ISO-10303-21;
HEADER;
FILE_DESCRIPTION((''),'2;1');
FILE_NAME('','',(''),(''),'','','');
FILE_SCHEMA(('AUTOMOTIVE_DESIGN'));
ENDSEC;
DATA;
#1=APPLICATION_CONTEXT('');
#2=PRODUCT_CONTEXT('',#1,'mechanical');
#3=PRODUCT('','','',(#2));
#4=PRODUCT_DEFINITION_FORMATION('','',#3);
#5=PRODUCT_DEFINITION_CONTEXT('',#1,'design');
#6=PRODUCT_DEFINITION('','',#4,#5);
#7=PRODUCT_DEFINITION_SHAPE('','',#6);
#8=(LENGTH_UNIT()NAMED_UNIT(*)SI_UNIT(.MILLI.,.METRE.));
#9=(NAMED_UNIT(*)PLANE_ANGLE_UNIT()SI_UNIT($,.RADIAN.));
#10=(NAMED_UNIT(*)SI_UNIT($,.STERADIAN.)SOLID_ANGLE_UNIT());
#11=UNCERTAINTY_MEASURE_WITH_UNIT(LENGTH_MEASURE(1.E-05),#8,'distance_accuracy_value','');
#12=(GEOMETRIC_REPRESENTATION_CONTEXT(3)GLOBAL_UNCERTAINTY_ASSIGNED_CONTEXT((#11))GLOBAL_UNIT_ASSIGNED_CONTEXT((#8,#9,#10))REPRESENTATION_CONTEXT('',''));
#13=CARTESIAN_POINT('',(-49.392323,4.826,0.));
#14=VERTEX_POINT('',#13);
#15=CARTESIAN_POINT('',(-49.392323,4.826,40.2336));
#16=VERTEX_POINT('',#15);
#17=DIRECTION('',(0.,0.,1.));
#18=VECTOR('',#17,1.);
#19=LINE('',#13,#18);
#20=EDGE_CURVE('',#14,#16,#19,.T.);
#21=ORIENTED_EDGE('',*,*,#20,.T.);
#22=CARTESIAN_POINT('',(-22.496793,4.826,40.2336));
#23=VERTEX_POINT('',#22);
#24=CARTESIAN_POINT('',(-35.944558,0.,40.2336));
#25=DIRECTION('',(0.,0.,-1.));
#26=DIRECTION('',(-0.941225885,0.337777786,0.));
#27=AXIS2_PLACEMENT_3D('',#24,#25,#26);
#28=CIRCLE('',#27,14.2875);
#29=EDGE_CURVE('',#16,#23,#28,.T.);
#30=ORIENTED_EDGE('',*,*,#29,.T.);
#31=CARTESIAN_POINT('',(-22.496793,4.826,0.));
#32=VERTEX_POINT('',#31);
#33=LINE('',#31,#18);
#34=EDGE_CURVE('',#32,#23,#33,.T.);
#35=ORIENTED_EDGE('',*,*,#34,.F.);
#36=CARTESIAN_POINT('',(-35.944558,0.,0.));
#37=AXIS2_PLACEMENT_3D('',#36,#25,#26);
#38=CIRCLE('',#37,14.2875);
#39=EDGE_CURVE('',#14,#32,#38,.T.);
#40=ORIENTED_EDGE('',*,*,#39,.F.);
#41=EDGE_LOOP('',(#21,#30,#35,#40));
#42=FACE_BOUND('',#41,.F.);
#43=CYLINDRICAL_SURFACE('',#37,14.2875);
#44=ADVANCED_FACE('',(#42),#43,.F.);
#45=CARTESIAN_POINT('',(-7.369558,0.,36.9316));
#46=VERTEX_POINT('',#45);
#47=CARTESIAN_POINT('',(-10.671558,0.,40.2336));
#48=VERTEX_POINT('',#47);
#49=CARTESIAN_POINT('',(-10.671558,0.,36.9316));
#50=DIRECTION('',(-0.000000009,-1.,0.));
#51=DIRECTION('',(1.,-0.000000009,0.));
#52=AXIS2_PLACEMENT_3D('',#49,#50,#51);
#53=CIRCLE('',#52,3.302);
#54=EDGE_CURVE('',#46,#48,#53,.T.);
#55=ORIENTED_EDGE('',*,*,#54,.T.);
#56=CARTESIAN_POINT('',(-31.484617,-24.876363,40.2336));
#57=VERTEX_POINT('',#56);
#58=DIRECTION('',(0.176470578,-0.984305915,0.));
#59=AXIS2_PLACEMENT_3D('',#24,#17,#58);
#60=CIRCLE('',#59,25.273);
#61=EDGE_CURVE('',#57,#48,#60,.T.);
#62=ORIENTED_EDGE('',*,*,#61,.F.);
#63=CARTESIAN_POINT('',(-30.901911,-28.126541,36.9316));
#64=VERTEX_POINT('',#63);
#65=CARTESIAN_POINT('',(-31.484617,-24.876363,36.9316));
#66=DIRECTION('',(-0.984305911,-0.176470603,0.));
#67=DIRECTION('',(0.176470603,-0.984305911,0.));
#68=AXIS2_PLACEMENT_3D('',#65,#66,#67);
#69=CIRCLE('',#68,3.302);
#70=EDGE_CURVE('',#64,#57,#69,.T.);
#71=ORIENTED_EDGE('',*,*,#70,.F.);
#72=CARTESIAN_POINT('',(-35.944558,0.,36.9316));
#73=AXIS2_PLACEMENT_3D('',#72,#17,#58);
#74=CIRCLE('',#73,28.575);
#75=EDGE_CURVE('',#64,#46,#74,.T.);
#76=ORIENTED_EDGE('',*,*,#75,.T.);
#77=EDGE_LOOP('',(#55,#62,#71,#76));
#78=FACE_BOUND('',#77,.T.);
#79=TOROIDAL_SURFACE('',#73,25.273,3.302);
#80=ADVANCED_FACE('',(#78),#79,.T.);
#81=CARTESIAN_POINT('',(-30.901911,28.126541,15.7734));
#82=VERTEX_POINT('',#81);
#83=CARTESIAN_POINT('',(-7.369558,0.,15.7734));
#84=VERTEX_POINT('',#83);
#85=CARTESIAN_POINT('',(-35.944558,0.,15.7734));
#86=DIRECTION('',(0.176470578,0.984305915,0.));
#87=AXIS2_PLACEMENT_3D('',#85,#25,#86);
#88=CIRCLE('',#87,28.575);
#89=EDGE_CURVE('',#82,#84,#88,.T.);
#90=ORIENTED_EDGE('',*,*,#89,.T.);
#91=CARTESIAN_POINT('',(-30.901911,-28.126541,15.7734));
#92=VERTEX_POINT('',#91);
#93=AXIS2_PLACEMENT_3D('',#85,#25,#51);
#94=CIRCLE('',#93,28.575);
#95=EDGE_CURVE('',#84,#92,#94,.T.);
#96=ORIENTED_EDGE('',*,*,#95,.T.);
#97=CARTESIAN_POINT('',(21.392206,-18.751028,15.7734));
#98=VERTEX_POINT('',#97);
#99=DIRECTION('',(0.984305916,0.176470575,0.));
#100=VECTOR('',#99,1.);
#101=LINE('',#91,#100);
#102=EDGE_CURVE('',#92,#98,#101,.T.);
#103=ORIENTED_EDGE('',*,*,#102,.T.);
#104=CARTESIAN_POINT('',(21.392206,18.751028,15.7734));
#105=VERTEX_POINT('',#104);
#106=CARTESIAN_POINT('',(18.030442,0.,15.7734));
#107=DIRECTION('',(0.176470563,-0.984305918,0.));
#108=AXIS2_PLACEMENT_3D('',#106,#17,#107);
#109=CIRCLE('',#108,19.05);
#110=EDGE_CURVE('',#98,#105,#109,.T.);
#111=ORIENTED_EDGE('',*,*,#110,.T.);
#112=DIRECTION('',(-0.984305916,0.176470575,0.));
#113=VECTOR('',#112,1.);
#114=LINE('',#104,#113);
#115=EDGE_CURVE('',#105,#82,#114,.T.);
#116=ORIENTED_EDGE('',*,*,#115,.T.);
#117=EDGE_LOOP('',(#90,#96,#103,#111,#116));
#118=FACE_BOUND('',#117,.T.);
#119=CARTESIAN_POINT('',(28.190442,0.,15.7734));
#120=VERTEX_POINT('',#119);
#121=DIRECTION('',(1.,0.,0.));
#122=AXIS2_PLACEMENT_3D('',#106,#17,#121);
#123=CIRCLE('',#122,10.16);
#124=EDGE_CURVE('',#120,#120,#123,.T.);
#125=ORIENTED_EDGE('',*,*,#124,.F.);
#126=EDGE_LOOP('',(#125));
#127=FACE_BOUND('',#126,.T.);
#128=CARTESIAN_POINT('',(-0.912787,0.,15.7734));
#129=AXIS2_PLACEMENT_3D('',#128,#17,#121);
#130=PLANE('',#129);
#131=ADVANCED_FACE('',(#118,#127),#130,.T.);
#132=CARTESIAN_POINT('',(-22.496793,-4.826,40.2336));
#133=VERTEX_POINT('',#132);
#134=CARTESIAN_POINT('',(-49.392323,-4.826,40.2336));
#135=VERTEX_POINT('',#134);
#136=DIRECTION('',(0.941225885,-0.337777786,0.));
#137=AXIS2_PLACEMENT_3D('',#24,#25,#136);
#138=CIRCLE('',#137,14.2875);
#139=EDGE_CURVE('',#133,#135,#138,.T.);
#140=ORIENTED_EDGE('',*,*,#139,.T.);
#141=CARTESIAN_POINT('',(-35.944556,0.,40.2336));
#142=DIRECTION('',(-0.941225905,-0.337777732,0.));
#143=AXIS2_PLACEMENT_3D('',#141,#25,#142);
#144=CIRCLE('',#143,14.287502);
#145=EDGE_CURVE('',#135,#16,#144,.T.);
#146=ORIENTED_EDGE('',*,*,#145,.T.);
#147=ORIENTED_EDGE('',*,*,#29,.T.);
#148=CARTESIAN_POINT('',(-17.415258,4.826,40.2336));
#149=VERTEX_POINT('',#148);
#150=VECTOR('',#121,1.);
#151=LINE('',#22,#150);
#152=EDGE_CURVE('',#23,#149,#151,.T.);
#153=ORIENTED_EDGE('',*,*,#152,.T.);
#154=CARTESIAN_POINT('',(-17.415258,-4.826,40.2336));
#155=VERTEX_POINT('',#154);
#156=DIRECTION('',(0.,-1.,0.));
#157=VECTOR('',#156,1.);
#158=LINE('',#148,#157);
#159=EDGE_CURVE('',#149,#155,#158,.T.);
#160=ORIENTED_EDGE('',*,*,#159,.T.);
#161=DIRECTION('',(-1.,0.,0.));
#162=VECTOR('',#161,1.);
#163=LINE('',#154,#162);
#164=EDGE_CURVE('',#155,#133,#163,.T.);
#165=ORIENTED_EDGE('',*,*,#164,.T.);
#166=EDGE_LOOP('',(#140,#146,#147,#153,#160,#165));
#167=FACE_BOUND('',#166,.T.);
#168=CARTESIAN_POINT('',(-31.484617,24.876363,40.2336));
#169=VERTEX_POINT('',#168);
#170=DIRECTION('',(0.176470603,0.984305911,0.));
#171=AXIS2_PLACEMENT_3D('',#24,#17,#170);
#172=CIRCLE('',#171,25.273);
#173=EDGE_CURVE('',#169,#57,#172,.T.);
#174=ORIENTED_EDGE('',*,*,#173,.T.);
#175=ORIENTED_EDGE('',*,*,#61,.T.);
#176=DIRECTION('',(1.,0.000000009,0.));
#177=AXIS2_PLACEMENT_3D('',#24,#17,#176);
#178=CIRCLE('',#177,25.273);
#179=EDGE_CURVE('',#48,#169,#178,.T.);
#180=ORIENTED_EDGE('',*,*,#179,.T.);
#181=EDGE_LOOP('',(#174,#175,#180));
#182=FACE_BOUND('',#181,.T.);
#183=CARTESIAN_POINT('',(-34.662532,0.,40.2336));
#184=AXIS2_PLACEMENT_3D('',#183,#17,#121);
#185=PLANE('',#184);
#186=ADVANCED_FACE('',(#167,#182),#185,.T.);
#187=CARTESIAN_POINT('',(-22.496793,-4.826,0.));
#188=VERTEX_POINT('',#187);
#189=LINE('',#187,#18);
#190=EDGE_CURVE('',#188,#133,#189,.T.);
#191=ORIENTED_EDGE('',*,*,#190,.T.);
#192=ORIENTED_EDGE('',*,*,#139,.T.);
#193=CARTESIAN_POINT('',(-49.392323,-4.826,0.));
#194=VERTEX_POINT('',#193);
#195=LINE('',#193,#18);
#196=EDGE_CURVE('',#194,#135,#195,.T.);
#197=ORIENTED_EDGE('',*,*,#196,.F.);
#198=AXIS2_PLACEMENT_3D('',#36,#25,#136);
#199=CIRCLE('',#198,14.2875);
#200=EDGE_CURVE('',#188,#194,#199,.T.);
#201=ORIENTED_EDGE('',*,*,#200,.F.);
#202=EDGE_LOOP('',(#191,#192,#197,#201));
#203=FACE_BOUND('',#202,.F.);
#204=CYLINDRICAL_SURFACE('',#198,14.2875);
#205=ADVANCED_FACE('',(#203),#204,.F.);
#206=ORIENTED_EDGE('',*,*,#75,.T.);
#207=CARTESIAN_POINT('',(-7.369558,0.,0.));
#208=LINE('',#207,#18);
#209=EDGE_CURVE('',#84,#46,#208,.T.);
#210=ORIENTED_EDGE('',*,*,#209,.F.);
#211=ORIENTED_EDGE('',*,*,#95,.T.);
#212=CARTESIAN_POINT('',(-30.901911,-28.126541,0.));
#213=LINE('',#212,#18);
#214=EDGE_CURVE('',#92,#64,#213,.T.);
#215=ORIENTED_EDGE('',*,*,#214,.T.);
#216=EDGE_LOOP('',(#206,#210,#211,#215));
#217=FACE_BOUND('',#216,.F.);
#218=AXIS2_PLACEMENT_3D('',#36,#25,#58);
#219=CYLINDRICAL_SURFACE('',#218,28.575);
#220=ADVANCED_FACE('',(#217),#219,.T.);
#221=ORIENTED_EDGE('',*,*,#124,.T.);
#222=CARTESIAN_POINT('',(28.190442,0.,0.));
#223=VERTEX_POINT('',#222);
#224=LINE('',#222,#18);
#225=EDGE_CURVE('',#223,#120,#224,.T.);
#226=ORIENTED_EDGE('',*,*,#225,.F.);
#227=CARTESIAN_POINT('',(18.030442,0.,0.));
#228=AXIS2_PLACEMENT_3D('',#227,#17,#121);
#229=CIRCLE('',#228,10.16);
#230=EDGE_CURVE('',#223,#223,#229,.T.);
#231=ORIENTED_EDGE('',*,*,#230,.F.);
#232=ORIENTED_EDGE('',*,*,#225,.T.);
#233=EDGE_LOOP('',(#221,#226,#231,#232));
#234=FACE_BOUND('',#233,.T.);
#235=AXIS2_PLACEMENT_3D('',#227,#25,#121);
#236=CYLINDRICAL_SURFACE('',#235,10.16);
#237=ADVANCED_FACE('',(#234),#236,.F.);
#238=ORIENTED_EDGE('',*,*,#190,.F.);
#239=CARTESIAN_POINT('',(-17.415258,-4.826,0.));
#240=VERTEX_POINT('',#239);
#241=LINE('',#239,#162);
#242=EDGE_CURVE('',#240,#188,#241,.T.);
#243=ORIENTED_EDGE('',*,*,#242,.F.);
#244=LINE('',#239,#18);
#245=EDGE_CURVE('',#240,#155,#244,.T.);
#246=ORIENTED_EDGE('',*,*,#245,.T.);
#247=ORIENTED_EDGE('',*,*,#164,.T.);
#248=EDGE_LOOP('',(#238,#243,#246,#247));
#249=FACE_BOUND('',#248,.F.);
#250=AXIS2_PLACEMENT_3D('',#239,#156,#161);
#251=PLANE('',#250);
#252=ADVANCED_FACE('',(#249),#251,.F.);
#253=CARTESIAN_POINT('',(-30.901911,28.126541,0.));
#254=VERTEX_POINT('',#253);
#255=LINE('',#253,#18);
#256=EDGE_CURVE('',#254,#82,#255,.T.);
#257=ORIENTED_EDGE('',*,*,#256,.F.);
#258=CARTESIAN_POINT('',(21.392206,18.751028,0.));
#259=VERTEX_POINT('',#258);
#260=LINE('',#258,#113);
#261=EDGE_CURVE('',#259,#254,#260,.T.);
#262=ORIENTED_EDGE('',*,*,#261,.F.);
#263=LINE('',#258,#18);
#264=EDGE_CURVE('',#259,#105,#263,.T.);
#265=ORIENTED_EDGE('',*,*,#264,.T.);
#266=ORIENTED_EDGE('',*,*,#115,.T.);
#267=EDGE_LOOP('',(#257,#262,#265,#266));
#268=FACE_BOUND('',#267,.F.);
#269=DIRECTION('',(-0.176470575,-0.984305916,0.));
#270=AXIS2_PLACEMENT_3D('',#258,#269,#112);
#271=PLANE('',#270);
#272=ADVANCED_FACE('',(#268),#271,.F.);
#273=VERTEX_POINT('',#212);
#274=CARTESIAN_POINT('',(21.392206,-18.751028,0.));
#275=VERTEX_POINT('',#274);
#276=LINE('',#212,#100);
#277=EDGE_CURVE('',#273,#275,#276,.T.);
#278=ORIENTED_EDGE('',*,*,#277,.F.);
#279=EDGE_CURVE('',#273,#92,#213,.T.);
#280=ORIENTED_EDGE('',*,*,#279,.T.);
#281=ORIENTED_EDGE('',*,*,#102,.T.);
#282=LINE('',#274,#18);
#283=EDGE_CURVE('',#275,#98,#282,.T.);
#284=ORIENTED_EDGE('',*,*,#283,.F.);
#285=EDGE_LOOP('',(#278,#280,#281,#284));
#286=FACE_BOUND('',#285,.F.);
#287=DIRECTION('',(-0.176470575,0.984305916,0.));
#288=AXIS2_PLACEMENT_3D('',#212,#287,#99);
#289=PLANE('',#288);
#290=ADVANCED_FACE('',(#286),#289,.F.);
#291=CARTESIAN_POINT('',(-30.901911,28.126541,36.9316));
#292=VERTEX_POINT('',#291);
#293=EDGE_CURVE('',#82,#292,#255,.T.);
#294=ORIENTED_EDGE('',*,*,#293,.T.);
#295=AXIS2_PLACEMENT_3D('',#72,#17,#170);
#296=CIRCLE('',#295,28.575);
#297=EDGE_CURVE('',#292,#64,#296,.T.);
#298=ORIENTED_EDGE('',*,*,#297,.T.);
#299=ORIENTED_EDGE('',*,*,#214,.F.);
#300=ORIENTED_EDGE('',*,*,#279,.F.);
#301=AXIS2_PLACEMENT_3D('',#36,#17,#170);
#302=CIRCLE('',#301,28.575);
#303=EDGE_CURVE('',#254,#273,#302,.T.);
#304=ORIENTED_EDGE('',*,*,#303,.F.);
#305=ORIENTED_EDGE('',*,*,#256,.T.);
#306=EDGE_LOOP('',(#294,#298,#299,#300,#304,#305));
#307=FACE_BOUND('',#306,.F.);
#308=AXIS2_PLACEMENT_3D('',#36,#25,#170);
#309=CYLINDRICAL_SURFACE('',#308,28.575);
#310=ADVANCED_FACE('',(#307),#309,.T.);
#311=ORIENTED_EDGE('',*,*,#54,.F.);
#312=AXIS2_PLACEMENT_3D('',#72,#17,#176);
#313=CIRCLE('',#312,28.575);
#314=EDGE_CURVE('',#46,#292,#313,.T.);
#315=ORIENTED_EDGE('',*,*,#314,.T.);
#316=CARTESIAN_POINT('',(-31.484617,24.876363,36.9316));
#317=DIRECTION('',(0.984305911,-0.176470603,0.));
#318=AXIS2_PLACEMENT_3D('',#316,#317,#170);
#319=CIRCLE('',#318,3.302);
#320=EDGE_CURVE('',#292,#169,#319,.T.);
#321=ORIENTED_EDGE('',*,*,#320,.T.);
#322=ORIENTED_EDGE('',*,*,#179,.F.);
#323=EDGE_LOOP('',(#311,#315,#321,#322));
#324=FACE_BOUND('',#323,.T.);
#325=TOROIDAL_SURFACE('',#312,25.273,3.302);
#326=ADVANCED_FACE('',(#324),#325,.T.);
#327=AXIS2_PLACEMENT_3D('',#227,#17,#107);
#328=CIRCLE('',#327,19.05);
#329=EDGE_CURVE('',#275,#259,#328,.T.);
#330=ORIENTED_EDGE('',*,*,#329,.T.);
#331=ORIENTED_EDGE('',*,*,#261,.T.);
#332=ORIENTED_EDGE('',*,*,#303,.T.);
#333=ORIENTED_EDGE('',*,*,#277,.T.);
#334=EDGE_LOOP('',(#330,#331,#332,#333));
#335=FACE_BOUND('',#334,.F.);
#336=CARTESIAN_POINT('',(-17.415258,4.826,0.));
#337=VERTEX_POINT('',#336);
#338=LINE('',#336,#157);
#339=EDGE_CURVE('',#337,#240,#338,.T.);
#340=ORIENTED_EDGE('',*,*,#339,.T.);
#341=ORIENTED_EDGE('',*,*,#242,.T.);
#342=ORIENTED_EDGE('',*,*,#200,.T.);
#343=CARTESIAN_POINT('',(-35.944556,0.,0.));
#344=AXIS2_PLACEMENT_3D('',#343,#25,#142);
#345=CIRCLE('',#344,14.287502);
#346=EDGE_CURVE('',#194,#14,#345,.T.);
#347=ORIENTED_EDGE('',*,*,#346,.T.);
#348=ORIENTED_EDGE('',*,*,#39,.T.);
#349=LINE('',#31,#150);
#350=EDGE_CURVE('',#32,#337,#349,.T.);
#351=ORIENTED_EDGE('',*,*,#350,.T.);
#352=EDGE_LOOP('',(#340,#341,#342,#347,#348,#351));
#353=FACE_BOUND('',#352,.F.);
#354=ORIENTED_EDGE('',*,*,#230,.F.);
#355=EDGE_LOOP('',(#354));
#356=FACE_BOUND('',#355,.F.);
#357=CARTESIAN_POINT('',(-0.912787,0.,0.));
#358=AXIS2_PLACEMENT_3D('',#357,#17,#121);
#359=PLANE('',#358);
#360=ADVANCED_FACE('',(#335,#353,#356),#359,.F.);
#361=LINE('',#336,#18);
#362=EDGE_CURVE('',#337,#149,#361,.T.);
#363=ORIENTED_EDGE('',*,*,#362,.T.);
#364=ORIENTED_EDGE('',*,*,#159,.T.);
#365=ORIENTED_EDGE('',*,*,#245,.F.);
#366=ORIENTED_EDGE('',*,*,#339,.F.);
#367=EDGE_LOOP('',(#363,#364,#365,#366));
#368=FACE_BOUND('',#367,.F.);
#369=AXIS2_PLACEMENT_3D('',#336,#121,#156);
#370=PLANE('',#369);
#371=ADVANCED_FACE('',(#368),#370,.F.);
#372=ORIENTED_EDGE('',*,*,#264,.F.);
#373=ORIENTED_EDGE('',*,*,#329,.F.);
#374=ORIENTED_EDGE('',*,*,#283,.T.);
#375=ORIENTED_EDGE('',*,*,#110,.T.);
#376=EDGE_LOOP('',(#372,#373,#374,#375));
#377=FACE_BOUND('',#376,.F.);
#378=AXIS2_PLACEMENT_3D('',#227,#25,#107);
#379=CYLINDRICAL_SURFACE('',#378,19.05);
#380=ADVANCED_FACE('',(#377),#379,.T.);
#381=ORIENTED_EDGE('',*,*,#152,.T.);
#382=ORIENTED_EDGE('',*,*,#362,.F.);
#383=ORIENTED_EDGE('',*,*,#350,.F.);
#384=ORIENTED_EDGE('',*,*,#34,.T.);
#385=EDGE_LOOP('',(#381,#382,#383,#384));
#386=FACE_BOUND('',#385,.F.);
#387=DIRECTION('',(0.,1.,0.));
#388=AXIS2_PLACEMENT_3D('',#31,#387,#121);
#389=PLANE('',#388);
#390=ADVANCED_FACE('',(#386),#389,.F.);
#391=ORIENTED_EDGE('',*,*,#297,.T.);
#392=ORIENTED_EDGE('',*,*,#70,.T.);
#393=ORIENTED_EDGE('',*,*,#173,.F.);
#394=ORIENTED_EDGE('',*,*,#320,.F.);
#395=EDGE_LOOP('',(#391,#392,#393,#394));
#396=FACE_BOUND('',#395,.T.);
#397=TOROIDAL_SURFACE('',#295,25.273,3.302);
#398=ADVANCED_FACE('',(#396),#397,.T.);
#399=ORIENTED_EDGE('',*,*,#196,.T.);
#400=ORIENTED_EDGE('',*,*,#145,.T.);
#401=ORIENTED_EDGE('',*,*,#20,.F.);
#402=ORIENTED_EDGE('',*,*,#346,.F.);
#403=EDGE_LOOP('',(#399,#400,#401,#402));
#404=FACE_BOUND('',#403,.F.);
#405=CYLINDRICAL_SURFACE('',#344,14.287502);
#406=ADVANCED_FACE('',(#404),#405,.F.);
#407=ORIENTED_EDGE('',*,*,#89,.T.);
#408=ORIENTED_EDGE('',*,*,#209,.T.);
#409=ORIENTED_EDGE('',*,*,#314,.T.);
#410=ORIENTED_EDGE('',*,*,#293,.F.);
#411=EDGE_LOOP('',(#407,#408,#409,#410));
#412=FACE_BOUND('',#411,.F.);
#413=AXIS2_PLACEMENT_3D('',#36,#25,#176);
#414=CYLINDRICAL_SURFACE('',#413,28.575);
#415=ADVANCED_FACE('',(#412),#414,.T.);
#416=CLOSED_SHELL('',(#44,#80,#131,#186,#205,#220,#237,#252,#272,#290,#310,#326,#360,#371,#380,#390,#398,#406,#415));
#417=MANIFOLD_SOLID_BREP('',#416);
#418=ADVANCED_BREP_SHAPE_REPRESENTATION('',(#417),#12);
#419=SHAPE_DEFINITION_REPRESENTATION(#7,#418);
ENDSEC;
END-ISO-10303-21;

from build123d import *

# Parameters (mm, degrees)
F1_DEPTH = 40.2336
F0_R     = 10.16
F2_DEPTH = 15.7734
F3_R     = 3.302


with BuildPart() as f1:
    # F0 (on Top) → F1 (new body)
    with BuildSketch(Plane.XY):
        with BuildLine():
            ThreePointArc((-30.901911, -28.126541), (-14.028534, -18.336262), (-7.369558, 0))
            ThreePointArc((-7.369558, 0), (-14.028534, 18.336262), (-30.901911, 28.126541))
            ThreePointArc((-30.901911, 28.126541), (-64.519558, 0), (-30.901911, -28.126541))
        make_face()
        with BuildLine():
            ThreePointArc((-49.392323, -4.826), (-50.232058, 0), (-49.392323, 4.826))
            ThreePointArc((-49.392323, 4.826), (-35.944558, 14.2875), (-22.496793, 4.826))
            Line((-22.496793, 4.826), (-17.415258, 4.826))
            Line((-17.415258, 4.826), (-17.415258, -4.826))
            Line((-17.415258, -4.826), (-22.496793, -4.826))
            ThreePointArc((-22.496793, -4.826), (-35.944558, -14.2875), (-49.392323, -4.826))
        make_face(mode=Mode.SUBTRACT)
    extrude(amount=F1_DEPTH)

    # F0 (on Top) → F2 (join)
    with BuildSketch(Plane.XY):
        with BuildLine():
            ThreePointArc((-30.901911, 28.126541), (-14.028534, 18.336262), (-7.369558, 0))
            ThreePointArc((-7.369558, 0), (-14.028534, -18.336262), (-30.901911, -28.126541))
            Line((-30.901911, -28.126541), (21.392206, -18.751028))
            ThreePointArc((21.392206, -18.751028), (37.080442, 0), (21.392206, 18.751028))
            Line((21.392206, 18.751028), (-30.901911, 28.126541))
        make_face()
        with Locations((18.030442, 0)):
            Circle(F0_R, mode=Mode.SUBTRACT)
    extrude(amount=F2_DEPTH)

    # F3
    f3_edges = [f1.edges().sort_by_distance(p)[0] for p in [
        (-40.987205, 28.126541, 40.2336),
    ]]
    fillet(f3_edges, radius=F3_R)


solid = f1.part
